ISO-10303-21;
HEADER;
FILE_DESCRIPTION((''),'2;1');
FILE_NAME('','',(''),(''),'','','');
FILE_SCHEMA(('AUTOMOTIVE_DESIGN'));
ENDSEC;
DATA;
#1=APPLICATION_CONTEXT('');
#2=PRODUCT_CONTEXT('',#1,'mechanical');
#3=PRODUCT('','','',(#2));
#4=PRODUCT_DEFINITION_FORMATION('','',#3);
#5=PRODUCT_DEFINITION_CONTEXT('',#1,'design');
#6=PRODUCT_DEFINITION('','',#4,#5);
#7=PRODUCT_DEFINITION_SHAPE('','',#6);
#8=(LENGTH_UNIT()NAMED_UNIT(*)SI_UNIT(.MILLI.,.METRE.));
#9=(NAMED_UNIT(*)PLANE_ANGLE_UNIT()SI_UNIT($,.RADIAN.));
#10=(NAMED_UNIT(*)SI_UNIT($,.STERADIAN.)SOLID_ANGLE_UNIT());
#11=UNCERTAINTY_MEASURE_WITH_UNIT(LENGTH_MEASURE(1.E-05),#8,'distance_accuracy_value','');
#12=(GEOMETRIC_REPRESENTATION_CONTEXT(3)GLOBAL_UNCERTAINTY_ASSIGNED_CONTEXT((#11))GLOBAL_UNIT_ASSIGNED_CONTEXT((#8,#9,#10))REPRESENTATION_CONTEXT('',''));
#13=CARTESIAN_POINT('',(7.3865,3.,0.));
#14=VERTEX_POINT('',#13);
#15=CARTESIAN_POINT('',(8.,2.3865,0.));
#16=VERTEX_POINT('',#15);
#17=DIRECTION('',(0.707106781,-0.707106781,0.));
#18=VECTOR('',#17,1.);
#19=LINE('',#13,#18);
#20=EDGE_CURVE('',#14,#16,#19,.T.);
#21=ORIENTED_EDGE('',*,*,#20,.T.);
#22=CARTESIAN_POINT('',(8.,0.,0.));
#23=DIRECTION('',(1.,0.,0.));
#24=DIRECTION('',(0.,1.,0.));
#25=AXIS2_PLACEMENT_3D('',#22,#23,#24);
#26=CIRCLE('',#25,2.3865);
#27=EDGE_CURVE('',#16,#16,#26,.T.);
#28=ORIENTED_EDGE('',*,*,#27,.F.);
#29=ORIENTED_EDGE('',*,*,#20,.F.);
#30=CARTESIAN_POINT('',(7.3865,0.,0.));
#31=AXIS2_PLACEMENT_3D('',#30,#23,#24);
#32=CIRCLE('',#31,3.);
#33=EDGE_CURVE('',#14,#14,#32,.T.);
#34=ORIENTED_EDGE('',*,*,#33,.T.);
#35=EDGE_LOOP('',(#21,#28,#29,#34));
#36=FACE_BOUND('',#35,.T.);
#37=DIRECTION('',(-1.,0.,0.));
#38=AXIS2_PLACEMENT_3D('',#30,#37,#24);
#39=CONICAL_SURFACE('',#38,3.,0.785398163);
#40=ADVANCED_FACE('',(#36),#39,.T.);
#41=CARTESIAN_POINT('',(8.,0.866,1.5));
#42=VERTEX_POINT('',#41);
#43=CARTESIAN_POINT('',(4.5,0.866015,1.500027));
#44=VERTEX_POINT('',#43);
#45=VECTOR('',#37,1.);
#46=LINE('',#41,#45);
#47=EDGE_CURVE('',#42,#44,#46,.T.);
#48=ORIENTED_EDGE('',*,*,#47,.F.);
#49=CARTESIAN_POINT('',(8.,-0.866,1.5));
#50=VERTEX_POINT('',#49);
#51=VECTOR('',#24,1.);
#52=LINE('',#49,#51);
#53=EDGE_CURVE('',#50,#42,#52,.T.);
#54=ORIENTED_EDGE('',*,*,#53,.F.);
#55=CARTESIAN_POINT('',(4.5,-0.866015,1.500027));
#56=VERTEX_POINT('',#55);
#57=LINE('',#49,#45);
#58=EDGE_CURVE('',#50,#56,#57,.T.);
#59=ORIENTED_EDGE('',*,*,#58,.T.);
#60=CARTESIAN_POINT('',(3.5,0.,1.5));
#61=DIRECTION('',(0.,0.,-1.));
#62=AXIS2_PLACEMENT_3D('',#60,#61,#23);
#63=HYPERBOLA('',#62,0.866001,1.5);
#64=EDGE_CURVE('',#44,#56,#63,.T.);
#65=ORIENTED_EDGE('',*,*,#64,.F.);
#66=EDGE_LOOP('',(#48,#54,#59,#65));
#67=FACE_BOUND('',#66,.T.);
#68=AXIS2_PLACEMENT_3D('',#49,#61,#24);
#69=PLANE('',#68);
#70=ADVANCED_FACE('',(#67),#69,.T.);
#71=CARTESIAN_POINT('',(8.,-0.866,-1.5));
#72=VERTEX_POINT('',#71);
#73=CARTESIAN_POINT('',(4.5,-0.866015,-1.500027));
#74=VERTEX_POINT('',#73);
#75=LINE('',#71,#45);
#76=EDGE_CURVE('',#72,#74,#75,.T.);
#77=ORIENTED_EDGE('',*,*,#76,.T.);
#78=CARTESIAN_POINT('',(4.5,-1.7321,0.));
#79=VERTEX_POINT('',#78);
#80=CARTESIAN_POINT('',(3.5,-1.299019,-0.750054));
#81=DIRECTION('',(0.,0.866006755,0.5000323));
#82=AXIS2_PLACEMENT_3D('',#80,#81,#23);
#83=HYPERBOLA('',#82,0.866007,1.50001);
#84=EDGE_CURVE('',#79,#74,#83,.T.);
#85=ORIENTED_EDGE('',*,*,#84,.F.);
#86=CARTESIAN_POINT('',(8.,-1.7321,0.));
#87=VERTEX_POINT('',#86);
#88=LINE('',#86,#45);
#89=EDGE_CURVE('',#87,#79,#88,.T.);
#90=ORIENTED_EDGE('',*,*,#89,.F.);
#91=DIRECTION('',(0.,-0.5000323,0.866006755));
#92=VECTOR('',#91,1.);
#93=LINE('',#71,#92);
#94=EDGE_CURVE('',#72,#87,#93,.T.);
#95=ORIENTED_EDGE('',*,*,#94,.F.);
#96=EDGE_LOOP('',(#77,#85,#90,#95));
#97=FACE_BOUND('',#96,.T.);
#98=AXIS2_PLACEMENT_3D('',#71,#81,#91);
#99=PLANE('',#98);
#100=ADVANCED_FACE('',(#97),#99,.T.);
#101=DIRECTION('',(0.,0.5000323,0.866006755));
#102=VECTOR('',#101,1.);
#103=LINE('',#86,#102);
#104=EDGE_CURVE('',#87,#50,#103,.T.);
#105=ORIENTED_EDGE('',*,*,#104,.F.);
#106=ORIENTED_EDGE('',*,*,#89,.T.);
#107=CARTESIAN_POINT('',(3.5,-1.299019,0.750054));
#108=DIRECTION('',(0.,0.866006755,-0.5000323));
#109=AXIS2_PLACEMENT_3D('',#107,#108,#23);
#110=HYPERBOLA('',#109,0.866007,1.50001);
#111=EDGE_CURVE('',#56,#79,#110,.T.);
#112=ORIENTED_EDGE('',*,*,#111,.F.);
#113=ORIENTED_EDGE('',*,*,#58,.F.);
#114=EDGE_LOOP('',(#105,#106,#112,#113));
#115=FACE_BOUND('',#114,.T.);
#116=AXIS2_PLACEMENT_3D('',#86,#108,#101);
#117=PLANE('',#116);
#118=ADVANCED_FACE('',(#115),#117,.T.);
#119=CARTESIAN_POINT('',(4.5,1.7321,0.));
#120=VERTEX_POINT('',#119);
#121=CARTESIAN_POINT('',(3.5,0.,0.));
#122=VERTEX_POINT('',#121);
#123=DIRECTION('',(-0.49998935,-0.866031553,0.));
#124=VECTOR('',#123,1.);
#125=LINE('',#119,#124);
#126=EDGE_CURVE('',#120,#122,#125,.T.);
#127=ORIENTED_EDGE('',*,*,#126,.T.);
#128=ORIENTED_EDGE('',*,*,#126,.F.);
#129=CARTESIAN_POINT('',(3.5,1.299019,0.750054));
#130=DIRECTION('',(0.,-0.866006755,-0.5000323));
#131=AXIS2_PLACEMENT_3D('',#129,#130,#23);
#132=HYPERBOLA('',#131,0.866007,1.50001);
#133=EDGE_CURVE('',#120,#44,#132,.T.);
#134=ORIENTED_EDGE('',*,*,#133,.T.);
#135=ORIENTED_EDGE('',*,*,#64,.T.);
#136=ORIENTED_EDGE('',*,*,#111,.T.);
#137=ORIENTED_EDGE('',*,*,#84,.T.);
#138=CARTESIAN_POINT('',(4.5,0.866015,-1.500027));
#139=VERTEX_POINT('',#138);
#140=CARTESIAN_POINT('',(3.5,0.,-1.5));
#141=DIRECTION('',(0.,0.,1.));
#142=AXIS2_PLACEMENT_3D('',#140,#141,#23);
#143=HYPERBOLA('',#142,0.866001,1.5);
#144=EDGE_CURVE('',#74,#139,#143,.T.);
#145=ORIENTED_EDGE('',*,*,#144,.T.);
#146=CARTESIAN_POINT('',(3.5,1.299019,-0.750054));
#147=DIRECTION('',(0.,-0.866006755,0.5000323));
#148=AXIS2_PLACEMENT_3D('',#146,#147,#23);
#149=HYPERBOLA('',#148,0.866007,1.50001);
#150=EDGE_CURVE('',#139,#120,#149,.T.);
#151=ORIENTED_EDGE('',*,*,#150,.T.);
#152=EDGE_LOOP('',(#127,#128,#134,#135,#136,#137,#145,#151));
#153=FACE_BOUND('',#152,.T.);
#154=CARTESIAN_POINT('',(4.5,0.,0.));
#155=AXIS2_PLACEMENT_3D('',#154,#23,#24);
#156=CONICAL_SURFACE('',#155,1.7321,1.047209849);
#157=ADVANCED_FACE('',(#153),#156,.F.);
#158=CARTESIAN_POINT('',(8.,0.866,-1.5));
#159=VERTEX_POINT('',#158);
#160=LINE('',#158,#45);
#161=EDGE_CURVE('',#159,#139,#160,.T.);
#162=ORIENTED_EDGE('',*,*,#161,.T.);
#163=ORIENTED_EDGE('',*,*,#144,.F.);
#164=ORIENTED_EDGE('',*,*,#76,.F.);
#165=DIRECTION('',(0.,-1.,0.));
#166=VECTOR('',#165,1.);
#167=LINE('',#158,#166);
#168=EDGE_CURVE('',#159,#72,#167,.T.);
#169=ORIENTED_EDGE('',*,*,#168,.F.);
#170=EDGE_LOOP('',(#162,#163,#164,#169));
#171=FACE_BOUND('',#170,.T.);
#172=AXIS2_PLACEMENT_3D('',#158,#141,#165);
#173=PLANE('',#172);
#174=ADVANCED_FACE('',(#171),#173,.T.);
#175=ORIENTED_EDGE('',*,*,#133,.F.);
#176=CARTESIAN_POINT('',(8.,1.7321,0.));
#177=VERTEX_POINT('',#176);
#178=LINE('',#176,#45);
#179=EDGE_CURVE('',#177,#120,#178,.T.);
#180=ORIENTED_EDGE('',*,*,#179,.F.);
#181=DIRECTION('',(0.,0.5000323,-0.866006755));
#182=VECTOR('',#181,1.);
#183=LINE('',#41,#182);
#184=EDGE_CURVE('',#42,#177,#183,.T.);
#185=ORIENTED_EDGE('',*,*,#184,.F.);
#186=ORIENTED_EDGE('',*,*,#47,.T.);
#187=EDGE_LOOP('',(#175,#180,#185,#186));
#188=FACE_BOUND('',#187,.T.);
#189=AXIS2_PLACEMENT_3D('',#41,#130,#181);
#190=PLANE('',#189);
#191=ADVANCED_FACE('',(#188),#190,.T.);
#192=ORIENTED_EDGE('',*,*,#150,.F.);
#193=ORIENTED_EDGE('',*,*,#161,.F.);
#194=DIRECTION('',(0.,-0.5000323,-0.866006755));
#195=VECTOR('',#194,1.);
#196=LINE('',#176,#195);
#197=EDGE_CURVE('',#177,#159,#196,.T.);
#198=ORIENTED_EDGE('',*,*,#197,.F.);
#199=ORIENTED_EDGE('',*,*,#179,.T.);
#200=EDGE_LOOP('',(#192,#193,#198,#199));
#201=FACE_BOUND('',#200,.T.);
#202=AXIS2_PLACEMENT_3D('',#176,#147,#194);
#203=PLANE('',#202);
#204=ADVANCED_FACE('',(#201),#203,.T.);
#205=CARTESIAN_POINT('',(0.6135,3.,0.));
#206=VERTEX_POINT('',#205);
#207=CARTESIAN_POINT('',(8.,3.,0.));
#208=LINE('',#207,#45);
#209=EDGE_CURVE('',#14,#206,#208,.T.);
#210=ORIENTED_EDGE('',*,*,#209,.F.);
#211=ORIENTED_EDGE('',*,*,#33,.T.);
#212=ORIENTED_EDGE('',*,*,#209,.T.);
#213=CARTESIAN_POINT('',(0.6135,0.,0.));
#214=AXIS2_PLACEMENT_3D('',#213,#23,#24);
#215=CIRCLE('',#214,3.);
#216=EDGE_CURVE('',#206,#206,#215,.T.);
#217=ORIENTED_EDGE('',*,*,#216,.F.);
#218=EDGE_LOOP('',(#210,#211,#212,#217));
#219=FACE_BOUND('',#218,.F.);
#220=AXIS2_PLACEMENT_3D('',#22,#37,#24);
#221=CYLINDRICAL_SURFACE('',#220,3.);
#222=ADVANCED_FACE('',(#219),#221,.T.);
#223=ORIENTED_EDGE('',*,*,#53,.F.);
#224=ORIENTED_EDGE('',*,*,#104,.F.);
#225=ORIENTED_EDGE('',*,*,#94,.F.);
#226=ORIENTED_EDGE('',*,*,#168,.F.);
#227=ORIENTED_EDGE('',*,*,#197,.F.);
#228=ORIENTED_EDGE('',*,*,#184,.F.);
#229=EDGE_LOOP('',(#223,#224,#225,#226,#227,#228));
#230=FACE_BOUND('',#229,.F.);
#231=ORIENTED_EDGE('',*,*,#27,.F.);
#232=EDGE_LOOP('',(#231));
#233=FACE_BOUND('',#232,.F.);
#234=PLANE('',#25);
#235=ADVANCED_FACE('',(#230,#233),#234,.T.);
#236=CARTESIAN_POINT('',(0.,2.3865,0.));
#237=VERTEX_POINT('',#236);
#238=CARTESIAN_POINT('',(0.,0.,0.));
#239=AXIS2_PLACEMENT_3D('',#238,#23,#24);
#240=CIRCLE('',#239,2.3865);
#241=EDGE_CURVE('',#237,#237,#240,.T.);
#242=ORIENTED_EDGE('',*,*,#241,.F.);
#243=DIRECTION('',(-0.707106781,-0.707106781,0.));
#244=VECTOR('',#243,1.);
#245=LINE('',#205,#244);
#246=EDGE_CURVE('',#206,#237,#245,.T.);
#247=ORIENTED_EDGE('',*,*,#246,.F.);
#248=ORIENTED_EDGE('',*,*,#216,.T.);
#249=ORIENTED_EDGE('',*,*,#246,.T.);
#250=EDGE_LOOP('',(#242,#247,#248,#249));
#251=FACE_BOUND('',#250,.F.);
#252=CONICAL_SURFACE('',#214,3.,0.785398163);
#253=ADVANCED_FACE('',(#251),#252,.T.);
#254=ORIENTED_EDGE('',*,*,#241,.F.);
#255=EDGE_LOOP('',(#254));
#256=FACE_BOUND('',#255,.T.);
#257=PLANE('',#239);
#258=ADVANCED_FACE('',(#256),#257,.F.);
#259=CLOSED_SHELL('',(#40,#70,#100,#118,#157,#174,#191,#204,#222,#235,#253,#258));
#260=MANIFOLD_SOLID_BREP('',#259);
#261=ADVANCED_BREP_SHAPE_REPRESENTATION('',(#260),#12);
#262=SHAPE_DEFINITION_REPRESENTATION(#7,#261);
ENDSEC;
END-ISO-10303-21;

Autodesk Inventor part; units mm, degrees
ref_plane "YZ Plane" through (0, 0, 0) normal (1, 0, 0) x (0, 1, 0)
ref_plane "XZ Plane" through (0, 0, 0) normal (0, 1, 0) x (-1, 0, 0)
sketch "Sketch1" plane through (0, 0, 0) normal (0, 0, 1) x (1, 0, 0)
  line L0 (0, 0) -> (3.5, 0)
  line L1 (8, 1.7321) -> (8, 3)
  line L2 (8, 3) -> (0, 3)
  line L3 (8, 1.7321) -> (4.5, 1.7321)
  line L4 (4.5, 1.7321) -> (3.5, 0)
  line L5 (0, -0.6) -> (0, 3.6) projected
  line L6 (0, 3) -> (0, 0)
  dimension "d0" = 3.5
  dimension "d1" = 60
  dimension "d2" = 6
  dimension "d3" = 3.4641
  dimension "d5" = 8
revolve "Body" add sketch "Sketch1" angle 360 about axis through (0, 0, 0) along (1, 0, 0)
sketch "Sketch2" plane through (8, 0, 0) normal (1, 0, 0) x (0, 1, 0)
  circle A0 centre (0, 0) radius 1.7321 projected
  line L0 (-0.866, 1.5) -> (0.866, 1.5)
  line L1 (0.866, 1.5) -> (1.7321, 0)
  line L2 (1.7321, 0) -> (0.866, -1.5)
  line L3 (0.866, -1.5) -> (-0.866, -1.5)
  line L4 (-0.866, -1.5) -> (-1.7321, 0)
  line L5 (-1.7321, 0) -> (-0.866, 1.5)
  point P0 (0, 0)
  point P1 (0, 0)
extrude "Slot" add sketch "Sketch2" against normal up to next contours L1 A0 | A0 L2 | L0 A0 | A0 L3 | L5 A0 | A0 L4
thread "Thread" size "M6x1" class "6g" standard "ISO Metric profile" length 8
chamfer "Chamfer1" distance 0.6135 angle 45 1 edges at (8, -3, 0) measured on face at (5.3333, 2.9612, -0.4812)
chamfer "Chamfer2" distance 0.6135 angle 45 1 edges at (0, -3, 0) measured on face at (4.9244, 2.9612, -0.4812)
ref_plane "Work Plane1" through (4, 0, 0) normal (0, 0, 1) x (1, 0, 0)
equation "\"d8\" = NLG"
equation "\"d10\" = -0.5 * GD1 + 0.5 * NND"
equation "\"d11\" = FAWI"
equation "\"d34\" = -0.5 * GD1 + 0.5 * NND"
equation "\"d12\" = -0.5 * GD1 + 0.5 * NND"
equation "\"d13\" = FAWI"
equation "\"d35\" = -0.5 * GD1 + 0.5 * NND"
equation "\"d0\" = INTI"
equation "\"d2\" = NND"
equation "\"d3\" = 1.1547 * SW"
equation "\"d5\" = NLG"
equation "\"NND\" = 6"
equation "\"NLG\" = 8"
equation "\"INTI\" = 3.5"
equation "\"FAWI\" = 45deg"
equation "\"SW\" = 3"
equation "\"GD1\" = THREADDIA - 1.2269 * PTC"
equation "\"SPD\" = 4"
equation "\"GUL\" = 0.61345 * PTC"
equation "\"TOA\" = 30deg"
equation "\"THREADDIA\" = 6"
equation "\"PTC\" = 1"
equation "\"FAWI1\" = 45deg"
equation "\"GAL\" = 0.61345 * PTC"
equation "\"E0\" = 1.155 * SW"
properties part number "DIN 913 - M6 x 8" material "Steel, Mild"
